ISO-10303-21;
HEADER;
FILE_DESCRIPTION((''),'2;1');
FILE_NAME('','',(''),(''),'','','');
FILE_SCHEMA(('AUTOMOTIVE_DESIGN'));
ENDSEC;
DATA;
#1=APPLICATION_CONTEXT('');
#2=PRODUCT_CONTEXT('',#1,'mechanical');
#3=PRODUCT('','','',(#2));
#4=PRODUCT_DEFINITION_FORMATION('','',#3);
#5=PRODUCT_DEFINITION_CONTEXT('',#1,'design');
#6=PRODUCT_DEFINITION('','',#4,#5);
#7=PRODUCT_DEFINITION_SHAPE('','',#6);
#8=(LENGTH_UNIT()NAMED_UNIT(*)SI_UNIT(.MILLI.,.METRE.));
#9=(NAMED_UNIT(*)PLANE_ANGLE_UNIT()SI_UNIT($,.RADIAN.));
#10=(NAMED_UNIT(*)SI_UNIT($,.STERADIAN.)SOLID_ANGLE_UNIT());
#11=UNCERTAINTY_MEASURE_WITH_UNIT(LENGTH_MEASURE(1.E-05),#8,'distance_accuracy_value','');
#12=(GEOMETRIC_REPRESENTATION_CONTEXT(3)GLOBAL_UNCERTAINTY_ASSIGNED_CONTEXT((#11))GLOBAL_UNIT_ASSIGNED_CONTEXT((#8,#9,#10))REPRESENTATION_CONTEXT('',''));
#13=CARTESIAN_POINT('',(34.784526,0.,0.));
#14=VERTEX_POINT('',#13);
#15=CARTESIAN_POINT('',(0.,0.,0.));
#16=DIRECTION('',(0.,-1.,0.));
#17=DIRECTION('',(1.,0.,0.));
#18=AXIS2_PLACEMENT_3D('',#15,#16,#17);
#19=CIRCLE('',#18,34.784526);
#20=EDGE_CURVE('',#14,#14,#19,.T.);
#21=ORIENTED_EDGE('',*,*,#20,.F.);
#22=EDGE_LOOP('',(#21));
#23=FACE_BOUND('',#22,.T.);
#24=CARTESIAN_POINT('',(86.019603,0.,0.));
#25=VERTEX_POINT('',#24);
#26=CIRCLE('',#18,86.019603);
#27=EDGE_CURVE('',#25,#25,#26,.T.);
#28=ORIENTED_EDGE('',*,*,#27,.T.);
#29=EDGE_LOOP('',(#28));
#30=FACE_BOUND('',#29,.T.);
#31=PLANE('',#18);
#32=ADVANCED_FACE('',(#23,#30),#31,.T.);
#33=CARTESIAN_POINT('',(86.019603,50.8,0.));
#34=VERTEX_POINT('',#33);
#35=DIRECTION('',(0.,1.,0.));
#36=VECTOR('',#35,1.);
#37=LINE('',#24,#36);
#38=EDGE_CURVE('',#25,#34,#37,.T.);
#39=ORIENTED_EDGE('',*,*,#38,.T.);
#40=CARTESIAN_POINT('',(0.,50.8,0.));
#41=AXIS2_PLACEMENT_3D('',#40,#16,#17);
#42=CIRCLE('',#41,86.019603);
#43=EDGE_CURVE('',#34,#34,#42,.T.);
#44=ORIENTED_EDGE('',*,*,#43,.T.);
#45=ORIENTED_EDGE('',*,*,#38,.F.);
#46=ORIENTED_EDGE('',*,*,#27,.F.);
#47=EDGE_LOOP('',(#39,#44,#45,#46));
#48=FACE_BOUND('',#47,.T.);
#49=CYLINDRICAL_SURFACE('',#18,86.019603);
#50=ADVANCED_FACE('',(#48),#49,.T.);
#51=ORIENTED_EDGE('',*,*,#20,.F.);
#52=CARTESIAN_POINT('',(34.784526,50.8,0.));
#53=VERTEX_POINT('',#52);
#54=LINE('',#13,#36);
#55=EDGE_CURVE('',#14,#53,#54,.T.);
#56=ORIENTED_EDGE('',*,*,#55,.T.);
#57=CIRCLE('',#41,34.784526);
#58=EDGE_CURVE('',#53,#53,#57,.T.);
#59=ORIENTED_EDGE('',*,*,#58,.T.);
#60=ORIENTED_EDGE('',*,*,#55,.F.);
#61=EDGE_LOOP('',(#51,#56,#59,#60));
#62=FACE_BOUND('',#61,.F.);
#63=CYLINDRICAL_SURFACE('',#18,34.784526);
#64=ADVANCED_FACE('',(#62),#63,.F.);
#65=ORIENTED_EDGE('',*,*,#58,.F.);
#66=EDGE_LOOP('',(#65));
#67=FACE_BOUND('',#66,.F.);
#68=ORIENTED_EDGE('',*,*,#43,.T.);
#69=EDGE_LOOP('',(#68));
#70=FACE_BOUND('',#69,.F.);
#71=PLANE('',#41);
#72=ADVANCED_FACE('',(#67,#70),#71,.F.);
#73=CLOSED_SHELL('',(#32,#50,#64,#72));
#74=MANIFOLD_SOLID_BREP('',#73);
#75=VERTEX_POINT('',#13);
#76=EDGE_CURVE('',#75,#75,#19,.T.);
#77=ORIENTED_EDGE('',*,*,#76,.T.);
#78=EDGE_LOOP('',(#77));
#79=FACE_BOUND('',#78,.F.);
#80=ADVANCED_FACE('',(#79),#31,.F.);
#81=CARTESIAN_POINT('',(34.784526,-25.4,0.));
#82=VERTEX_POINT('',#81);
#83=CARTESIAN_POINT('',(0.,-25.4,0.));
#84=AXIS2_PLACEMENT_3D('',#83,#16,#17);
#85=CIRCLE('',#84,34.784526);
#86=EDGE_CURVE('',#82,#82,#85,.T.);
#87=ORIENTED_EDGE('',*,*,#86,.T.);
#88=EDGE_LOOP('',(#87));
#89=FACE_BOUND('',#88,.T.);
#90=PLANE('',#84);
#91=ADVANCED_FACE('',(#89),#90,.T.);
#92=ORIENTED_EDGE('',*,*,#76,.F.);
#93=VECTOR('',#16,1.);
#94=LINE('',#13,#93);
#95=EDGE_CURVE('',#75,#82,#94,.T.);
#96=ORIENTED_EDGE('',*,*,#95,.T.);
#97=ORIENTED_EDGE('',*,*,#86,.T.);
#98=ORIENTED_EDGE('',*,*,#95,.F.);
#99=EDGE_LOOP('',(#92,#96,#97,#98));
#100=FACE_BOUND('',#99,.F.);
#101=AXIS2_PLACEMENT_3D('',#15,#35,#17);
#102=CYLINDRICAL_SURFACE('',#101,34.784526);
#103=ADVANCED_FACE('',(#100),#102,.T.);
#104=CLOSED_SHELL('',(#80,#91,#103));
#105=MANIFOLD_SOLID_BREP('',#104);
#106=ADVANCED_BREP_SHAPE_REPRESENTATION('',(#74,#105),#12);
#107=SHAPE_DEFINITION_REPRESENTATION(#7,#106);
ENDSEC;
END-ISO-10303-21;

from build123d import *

# Parameters (mm, degrees)
F0_R     = 34.784526
F1_DEPTH = 25.4
F0_R_2   = 86.019603
F2_DEPTH = 50.8


with BuildPart() as f1:
    # F0 (on Front) → F1 (new body)
    with BuildSketch(Plane.XZ):
        Circle(F0_R)
    extrude(amount=F1_DEPTH)

    # F0 (on Front) → F2 (join)
    with BuildSketch(Plane.XZ):
        Circle(F0_R_2)
        Circle(F0_R, mode=Mode.SUBTRACT)
    extrude(amount=-F2_DEPTH)


solid = f1.part
